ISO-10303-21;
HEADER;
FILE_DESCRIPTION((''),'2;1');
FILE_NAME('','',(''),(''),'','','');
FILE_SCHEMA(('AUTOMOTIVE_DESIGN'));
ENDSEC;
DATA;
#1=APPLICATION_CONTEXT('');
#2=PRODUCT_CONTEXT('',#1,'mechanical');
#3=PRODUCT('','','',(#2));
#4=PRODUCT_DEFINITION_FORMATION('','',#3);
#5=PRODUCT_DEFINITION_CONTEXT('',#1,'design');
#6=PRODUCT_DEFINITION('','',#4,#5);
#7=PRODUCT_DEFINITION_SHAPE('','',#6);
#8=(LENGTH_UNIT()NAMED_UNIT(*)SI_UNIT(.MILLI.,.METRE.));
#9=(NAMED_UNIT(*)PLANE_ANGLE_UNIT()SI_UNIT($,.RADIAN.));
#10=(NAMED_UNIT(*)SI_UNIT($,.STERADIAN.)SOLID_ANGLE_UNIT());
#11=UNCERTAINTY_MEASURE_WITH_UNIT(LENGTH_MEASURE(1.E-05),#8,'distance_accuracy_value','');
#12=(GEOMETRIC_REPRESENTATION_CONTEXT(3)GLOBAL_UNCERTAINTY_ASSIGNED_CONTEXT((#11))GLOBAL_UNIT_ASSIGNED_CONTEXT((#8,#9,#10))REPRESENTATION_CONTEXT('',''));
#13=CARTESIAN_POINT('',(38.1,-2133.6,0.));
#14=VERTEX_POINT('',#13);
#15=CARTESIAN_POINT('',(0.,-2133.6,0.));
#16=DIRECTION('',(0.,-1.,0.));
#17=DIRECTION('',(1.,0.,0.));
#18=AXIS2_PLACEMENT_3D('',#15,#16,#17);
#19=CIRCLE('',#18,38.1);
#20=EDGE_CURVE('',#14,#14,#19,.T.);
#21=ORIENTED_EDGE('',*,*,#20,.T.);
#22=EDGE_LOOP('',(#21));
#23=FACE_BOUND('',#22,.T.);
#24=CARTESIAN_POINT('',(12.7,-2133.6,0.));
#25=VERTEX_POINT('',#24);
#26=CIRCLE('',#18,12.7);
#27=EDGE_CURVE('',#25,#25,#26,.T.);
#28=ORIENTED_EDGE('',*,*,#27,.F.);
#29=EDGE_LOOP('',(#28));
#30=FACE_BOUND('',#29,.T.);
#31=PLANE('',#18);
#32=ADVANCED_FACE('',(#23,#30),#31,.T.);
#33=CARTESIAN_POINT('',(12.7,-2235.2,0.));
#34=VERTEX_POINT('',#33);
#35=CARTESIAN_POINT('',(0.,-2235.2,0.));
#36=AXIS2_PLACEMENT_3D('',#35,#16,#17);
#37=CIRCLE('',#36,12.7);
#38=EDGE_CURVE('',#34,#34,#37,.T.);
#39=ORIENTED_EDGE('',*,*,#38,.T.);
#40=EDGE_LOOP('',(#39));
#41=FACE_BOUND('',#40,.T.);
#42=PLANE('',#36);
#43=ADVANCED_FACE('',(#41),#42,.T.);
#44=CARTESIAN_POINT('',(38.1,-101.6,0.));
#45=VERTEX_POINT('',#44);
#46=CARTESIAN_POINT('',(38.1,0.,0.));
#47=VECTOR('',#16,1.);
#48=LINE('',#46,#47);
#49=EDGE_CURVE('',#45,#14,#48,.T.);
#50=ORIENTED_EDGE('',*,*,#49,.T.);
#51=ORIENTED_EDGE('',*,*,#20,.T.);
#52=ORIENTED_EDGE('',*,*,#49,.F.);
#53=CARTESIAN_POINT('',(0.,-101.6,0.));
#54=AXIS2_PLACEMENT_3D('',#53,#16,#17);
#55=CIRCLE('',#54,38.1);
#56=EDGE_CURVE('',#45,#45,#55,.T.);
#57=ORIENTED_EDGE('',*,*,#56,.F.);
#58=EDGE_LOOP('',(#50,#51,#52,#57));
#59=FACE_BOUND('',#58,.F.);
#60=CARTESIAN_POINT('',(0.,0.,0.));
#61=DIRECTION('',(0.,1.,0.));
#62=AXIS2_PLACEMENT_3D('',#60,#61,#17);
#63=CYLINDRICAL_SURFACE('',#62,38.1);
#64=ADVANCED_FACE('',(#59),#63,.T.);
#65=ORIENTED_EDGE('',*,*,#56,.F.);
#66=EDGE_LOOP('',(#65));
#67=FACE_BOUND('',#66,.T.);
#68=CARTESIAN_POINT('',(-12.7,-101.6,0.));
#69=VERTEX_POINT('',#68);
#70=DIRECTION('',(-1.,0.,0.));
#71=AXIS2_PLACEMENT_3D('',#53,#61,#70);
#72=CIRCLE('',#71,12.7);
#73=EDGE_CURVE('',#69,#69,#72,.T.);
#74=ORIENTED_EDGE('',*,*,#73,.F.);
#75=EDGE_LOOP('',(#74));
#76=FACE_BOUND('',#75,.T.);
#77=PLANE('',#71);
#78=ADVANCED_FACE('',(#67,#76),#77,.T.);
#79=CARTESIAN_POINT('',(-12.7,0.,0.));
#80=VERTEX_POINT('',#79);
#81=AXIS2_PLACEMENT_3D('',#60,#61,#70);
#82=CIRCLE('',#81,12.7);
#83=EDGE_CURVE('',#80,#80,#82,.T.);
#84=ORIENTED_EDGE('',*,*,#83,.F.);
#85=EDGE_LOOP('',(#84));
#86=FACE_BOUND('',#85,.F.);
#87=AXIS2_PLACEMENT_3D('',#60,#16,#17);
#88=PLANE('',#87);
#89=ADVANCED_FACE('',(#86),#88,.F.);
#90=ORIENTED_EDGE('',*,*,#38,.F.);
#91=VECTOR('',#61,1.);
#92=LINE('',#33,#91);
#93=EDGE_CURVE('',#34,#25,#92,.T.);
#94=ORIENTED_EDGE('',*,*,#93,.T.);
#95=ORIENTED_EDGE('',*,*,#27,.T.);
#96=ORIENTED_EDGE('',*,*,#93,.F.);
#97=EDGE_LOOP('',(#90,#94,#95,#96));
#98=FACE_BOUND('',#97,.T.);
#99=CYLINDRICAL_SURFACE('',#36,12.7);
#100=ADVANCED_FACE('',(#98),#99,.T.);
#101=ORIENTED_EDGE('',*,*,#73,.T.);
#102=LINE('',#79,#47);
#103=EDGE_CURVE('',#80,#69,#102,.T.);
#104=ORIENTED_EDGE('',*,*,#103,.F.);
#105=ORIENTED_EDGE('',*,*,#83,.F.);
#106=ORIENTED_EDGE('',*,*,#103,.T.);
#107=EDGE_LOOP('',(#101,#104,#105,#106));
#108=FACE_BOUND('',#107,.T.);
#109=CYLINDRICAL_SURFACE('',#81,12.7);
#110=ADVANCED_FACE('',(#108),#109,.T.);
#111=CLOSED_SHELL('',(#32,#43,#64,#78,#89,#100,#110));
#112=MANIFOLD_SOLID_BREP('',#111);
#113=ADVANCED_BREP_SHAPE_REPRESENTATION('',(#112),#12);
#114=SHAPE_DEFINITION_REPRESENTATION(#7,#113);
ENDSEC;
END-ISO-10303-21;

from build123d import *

# Parameters (mm, degrees)
F0_R     = 38.1
F1_DEPTH = 2235.2
F2_R     = 38.1
F2_R_2   = 12.7
F3_DEPTH = 101.6
F4_R     = 38.1
F4_R_2   = 12.7
F5_DEPTH = 101.6


with BuildPart() as f1:
    # F0 (on Front) → F1 (new body)
    with BuildSketch(Plane.XZ):
        Circle(F0_R)
    extrude(amount=F1_DEPTH)

    # F2 (on face) → F3 (cut)
    with BuildSketch(Plane.XZ.offset(2235.2)):
        Circle(F2_R)
        Circle(F2_R_2, mode=Mode.SUBTRACT)
    extrude(amount=-F3_DEPTH, mode=Mode.SUBTRACT)

    # F4 (on face) → F5 (cut)
    with BuildSketch(Plane(origin=(0, 0, 0), x_dir=(-1, 0, 0), z_dir=(0, 1, 0))):
        Circle(F4_R)
        Circle(F4_R_2, mode=Mode.SUBTRACT)
    extrude(amount=-F5_DEPTH, mode=Mode.SUBTRACT)


solid = f1.part
